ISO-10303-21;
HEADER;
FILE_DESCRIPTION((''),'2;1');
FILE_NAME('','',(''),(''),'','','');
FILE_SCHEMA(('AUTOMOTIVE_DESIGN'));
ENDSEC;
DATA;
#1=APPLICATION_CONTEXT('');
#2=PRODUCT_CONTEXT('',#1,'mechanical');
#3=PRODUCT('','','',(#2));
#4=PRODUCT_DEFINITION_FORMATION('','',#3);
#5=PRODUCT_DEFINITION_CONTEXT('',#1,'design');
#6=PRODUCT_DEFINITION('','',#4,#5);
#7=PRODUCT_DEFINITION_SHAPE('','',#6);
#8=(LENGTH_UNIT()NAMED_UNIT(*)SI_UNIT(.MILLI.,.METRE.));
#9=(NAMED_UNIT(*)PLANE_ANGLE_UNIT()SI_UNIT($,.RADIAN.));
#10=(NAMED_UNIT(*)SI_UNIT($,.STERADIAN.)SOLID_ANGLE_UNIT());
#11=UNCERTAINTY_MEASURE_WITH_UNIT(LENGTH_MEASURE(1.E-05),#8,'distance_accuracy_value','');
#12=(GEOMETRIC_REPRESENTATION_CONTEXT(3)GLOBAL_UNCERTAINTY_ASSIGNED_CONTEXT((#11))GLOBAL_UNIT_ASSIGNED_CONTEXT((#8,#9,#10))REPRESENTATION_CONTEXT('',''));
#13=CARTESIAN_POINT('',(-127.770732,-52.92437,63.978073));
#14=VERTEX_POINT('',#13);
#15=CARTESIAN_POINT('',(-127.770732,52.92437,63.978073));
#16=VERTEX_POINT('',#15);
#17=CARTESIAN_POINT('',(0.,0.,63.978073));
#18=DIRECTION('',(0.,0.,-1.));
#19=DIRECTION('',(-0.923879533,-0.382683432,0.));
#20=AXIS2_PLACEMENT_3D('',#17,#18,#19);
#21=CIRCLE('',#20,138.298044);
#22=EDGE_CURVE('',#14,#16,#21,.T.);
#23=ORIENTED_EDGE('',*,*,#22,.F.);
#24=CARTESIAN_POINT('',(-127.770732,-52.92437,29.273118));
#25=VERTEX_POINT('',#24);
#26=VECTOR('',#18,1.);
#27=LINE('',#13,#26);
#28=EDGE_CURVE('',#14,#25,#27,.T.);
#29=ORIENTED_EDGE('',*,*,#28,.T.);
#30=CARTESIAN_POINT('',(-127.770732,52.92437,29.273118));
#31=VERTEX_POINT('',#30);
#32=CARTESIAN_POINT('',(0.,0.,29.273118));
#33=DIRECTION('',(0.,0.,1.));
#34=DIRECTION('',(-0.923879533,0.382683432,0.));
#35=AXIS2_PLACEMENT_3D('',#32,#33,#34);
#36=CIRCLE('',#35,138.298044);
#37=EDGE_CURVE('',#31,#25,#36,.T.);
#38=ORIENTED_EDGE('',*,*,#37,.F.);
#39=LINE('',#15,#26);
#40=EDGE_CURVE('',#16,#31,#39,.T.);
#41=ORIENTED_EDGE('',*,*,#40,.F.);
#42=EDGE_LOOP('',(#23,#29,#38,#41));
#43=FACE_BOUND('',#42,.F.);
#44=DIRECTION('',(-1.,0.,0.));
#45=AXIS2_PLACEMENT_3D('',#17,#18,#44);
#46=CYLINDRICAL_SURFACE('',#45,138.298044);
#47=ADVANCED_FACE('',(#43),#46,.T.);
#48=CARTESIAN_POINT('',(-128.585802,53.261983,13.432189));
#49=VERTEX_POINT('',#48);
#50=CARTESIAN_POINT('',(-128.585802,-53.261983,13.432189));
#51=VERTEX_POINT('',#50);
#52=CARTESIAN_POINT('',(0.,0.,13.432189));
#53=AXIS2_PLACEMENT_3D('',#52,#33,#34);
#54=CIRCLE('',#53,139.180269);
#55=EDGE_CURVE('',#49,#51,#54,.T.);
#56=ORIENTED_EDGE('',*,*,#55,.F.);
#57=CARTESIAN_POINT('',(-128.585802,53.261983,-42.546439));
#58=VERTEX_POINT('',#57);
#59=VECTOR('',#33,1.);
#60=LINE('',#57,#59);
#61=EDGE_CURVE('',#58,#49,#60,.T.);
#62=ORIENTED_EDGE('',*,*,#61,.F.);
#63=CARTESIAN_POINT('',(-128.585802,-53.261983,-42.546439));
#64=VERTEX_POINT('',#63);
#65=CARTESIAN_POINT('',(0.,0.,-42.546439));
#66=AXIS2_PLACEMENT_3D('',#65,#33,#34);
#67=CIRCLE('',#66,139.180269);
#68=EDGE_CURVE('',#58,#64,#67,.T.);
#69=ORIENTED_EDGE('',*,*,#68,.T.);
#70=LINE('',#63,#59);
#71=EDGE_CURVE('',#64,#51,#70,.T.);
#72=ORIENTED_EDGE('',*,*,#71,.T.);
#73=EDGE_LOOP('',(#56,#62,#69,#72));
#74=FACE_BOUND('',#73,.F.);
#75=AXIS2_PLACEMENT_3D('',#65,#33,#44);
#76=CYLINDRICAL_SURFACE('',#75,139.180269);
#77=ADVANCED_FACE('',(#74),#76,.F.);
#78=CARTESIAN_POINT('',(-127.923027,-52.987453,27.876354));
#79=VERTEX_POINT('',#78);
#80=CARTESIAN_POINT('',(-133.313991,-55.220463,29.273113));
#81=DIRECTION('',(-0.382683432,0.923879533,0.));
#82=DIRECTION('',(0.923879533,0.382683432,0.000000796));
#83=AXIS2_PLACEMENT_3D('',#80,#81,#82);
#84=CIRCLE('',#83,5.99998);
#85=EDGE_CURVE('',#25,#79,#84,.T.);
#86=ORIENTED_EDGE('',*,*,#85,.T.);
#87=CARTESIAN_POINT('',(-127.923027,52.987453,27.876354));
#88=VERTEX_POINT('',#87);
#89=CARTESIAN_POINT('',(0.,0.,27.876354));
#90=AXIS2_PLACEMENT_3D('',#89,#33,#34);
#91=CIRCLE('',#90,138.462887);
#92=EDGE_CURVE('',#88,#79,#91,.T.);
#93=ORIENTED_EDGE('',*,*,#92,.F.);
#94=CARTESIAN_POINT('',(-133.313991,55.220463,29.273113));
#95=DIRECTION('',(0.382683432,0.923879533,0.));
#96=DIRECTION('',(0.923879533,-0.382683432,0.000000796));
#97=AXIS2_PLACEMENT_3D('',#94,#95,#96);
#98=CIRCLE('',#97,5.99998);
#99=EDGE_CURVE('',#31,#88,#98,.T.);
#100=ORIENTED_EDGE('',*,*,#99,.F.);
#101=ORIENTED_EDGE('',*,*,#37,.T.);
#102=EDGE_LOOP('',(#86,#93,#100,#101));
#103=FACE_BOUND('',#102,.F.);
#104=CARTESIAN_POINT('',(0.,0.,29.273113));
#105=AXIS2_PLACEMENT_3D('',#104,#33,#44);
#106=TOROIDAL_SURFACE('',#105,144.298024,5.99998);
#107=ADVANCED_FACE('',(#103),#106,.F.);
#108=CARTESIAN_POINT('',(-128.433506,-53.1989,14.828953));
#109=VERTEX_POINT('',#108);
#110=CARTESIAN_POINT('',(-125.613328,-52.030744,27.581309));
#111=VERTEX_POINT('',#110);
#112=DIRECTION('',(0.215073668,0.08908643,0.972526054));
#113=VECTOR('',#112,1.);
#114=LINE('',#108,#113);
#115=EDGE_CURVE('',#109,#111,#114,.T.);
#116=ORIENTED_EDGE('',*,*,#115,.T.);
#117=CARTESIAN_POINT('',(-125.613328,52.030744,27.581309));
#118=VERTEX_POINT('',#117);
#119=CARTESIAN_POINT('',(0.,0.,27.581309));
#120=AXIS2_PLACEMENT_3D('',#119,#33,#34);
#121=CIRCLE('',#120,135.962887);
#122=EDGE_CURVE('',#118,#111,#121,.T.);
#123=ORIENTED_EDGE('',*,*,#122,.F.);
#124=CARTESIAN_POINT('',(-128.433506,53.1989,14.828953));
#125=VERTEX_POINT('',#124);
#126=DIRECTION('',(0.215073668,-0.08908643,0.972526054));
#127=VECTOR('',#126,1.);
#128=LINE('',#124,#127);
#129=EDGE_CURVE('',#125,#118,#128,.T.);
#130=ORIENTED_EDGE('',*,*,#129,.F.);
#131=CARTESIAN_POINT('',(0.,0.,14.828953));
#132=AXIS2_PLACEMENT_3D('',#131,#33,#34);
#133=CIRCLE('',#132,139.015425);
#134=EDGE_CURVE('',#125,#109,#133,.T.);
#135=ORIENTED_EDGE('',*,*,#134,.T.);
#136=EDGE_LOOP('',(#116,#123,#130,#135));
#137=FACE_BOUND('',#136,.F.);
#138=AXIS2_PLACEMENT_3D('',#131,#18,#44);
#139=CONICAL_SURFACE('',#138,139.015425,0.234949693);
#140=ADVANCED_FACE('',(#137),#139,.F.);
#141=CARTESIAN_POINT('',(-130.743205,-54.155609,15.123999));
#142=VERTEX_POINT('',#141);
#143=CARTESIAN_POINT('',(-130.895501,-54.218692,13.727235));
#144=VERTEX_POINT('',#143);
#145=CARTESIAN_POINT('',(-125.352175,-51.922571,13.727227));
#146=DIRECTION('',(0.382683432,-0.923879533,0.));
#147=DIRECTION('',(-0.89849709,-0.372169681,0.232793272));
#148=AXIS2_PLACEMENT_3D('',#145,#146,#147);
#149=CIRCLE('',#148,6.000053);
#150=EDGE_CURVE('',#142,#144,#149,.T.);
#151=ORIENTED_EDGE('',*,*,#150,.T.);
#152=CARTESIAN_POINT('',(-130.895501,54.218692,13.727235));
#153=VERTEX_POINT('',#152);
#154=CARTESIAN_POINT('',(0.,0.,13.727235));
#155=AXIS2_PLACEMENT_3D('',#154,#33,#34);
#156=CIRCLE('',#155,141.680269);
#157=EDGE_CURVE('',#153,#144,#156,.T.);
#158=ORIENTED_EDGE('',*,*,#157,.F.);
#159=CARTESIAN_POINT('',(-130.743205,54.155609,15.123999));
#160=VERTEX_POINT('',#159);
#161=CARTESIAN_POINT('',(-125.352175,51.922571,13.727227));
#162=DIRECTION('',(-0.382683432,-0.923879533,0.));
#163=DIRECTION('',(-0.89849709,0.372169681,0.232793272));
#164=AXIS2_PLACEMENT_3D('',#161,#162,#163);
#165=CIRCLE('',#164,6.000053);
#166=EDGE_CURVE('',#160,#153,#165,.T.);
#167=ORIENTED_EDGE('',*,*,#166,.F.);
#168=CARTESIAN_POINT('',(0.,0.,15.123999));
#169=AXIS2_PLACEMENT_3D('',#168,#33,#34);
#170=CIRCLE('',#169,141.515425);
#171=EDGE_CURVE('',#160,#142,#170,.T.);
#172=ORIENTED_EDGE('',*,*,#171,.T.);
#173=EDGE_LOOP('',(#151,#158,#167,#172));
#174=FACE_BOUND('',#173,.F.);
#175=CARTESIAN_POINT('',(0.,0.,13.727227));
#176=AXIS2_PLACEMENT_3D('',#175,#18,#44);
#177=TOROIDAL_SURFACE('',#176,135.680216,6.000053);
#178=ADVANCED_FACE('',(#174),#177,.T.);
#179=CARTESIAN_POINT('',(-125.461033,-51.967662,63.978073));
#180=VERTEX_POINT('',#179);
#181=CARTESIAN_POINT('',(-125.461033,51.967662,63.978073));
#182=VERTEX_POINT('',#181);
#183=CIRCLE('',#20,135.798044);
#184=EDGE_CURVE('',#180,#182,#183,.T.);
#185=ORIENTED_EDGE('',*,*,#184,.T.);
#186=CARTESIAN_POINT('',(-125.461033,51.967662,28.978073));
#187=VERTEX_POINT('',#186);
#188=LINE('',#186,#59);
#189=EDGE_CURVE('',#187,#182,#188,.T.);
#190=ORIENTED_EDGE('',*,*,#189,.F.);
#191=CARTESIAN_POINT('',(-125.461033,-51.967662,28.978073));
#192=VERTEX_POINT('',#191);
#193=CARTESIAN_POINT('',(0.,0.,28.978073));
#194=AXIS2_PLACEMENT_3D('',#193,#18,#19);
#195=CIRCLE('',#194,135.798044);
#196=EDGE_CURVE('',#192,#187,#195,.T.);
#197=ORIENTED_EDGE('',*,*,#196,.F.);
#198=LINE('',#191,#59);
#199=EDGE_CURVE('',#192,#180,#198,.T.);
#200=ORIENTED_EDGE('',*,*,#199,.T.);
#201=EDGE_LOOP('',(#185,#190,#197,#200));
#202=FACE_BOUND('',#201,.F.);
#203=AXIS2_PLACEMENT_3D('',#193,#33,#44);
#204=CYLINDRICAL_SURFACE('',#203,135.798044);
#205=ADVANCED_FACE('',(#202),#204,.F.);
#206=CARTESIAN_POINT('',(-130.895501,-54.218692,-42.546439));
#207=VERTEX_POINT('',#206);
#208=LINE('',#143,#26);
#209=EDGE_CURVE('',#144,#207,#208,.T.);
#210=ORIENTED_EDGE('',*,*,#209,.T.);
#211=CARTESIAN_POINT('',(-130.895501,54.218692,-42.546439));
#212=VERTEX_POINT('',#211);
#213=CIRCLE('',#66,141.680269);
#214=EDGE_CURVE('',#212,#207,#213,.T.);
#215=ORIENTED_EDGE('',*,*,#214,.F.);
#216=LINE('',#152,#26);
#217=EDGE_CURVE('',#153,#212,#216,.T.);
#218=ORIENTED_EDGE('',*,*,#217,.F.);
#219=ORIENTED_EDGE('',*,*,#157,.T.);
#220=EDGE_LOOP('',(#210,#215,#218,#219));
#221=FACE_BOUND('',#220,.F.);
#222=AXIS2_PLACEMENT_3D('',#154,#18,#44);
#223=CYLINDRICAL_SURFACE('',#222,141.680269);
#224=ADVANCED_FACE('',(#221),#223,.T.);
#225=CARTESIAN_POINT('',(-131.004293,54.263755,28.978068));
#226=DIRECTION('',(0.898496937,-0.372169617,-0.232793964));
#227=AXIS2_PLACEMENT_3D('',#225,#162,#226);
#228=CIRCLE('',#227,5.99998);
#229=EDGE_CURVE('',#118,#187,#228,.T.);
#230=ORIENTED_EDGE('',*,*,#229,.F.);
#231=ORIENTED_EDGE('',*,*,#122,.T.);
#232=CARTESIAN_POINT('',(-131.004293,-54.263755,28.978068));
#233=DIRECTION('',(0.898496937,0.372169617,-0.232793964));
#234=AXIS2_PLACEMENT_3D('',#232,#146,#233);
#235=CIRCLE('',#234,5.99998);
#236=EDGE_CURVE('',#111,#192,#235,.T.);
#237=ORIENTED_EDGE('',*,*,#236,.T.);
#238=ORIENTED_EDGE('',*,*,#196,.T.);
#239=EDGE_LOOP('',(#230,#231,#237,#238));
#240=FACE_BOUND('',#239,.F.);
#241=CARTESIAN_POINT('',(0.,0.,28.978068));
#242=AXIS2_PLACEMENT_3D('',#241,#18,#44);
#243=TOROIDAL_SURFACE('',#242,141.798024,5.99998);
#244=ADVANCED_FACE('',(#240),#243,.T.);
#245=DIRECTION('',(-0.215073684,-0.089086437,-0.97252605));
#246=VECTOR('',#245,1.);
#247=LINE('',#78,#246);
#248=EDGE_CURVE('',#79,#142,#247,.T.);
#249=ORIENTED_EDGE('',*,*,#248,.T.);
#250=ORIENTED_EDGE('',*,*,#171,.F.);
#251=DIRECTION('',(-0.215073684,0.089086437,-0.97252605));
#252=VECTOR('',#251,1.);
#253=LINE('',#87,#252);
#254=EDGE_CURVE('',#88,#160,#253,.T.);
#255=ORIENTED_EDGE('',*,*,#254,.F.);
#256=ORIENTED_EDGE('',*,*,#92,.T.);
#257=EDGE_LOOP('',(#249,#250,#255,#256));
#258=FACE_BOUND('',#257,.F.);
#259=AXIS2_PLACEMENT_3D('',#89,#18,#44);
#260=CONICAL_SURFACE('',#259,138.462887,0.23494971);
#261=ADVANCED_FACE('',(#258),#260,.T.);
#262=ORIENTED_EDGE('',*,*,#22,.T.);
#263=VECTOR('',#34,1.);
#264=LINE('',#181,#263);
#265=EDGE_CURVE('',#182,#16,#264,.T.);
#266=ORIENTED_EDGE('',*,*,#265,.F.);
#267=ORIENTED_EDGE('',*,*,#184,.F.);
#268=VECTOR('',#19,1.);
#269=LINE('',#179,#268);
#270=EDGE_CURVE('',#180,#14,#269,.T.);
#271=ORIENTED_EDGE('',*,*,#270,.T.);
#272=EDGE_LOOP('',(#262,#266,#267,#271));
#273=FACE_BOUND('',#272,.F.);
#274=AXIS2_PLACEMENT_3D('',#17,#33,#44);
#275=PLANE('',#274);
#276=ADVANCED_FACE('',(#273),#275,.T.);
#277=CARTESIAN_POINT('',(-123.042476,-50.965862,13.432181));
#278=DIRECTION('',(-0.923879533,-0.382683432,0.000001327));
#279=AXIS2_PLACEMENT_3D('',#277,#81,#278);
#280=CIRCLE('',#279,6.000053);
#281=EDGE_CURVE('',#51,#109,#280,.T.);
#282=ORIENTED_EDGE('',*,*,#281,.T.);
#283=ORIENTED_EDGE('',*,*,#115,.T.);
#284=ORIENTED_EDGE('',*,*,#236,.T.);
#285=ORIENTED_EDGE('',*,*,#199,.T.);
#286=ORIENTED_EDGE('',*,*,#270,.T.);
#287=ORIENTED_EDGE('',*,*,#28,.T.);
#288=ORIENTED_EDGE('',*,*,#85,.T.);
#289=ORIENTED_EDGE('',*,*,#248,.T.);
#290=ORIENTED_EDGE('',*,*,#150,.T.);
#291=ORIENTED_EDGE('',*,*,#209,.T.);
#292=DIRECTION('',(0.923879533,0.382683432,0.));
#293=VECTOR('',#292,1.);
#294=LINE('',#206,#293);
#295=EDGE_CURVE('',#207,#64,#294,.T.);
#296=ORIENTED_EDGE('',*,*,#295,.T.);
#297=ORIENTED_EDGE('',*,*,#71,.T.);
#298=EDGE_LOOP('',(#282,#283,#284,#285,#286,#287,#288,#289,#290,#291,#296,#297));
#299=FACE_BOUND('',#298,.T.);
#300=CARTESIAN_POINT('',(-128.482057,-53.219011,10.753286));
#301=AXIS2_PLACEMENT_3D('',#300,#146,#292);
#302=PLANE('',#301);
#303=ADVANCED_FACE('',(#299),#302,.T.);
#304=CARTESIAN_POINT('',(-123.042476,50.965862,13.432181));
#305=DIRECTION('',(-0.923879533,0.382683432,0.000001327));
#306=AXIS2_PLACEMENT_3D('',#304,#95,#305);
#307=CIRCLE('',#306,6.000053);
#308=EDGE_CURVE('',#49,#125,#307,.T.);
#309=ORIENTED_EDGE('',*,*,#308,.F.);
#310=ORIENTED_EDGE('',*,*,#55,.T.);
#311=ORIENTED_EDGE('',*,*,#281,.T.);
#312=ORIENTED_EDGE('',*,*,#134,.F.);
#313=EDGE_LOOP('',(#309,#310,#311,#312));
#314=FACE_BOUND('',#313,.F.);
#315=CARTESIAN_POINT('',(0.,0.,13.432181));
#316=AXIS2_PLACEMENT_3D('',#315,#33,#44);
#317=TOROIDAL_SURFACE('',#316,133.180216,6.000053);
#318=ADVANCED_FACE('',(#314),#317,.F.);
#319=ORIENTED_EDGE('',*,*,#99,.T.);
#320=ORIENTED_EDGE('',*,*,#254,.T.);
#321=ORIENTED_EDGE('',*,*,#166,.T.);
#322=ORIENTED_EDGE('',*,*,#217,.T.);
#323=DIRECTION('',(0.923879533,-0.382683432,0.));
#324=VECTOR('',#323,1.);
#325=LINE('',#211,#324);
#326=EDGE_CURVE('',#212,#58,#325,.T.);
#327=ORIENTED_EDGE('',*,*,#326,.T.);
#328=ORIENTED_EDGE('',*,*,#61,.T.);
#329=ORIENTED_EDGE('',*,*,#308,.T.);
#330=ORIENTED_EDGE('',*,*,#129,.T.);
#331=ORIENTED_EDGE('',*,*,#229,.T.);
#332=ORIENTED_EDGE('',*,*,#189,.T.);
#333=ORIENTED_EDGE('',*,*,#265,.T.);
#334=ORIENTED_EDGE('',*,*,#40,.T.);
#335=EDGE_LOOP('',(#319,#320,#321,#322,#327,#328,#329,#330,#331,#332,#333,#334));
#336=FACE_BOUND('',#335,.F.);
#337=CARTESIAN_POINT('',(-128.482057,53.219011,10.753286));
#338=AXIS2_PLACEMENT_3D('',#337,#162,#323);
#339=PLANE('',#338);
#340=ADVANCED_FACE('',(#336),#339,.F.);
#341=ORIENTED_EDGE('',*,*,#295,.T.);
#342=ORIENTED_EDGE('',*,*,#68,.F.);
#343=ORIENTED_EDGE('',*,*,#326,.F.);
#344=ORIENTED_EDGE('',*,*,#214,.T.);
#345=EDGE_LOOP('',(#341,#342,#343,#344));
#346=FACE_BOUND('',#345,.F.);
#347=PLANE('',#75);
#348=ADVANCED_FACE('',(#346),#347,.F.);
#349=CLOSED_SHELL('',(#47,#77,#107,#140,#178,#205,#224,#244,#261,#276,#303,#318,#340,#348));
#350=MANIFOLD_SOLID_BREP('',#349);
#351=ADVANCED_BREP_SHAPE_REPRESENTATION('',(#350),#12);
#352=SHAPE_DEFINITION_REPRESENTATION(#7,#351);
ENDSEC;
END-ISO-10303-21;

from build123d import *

# Parameters (mm, degrees)
F1_ANGLE = 45


with BuildPart() as f1:
    # F0 (on Front) → F1 (revolve, symmetric)
    with BuildSketch(Plane.XZ) as f1_sk:
        with BuildLine():
            Line((-138.298044, 63.978073), (-138.298044, 29.273118))
            ThreePointArc((-138.298044, 29.273118), (-138.339397, 28.569889), (-138.462887, 27.876354))
            Line((-138.462887, 27.876354), (-141.515425, 15.123999))
            ThreePointArc((-141.515425, 15.123999), (-141.638915, 14.430464), (-141.680269, 13.727235))
            Line((-141.680269, 13.727235), (-141.680269, -42.546439))
            Line((-141.680269, -42.546439), (-139.180269, -42.546439))
            Line((-139.180269, -42.546439), (-139.180269, 13.432189))
            ThreePointArc((-139.180269, 13.432189), (-139.138915, 14.135418), (-139.015425, 14.828953))
            Line((-139.015425, 14.828953), (-135.962887, 27.581309))
            ThreePointArc((-135.962887, 27.581309), (-135.839397, 28.274844), (-135.798044, 28.978073))
            Line((-135.798044, 28.978073), (-135.798044, 63.978073))
            Line((-135.798044, 63.978073), (-138.298044, 63.978073))
        make_face()
    revolve(axis=Axis((0, 0, -10.46107), (0, 0, -1)), revolution_arc=F1_ANGLE / 2)
    revolve(f1_sk.sketch, axis=Axis((0, 0, -10.46107), (0, 0, 1)), revolution_arc=F1_ANGLE / 2)


solid = f1.part
